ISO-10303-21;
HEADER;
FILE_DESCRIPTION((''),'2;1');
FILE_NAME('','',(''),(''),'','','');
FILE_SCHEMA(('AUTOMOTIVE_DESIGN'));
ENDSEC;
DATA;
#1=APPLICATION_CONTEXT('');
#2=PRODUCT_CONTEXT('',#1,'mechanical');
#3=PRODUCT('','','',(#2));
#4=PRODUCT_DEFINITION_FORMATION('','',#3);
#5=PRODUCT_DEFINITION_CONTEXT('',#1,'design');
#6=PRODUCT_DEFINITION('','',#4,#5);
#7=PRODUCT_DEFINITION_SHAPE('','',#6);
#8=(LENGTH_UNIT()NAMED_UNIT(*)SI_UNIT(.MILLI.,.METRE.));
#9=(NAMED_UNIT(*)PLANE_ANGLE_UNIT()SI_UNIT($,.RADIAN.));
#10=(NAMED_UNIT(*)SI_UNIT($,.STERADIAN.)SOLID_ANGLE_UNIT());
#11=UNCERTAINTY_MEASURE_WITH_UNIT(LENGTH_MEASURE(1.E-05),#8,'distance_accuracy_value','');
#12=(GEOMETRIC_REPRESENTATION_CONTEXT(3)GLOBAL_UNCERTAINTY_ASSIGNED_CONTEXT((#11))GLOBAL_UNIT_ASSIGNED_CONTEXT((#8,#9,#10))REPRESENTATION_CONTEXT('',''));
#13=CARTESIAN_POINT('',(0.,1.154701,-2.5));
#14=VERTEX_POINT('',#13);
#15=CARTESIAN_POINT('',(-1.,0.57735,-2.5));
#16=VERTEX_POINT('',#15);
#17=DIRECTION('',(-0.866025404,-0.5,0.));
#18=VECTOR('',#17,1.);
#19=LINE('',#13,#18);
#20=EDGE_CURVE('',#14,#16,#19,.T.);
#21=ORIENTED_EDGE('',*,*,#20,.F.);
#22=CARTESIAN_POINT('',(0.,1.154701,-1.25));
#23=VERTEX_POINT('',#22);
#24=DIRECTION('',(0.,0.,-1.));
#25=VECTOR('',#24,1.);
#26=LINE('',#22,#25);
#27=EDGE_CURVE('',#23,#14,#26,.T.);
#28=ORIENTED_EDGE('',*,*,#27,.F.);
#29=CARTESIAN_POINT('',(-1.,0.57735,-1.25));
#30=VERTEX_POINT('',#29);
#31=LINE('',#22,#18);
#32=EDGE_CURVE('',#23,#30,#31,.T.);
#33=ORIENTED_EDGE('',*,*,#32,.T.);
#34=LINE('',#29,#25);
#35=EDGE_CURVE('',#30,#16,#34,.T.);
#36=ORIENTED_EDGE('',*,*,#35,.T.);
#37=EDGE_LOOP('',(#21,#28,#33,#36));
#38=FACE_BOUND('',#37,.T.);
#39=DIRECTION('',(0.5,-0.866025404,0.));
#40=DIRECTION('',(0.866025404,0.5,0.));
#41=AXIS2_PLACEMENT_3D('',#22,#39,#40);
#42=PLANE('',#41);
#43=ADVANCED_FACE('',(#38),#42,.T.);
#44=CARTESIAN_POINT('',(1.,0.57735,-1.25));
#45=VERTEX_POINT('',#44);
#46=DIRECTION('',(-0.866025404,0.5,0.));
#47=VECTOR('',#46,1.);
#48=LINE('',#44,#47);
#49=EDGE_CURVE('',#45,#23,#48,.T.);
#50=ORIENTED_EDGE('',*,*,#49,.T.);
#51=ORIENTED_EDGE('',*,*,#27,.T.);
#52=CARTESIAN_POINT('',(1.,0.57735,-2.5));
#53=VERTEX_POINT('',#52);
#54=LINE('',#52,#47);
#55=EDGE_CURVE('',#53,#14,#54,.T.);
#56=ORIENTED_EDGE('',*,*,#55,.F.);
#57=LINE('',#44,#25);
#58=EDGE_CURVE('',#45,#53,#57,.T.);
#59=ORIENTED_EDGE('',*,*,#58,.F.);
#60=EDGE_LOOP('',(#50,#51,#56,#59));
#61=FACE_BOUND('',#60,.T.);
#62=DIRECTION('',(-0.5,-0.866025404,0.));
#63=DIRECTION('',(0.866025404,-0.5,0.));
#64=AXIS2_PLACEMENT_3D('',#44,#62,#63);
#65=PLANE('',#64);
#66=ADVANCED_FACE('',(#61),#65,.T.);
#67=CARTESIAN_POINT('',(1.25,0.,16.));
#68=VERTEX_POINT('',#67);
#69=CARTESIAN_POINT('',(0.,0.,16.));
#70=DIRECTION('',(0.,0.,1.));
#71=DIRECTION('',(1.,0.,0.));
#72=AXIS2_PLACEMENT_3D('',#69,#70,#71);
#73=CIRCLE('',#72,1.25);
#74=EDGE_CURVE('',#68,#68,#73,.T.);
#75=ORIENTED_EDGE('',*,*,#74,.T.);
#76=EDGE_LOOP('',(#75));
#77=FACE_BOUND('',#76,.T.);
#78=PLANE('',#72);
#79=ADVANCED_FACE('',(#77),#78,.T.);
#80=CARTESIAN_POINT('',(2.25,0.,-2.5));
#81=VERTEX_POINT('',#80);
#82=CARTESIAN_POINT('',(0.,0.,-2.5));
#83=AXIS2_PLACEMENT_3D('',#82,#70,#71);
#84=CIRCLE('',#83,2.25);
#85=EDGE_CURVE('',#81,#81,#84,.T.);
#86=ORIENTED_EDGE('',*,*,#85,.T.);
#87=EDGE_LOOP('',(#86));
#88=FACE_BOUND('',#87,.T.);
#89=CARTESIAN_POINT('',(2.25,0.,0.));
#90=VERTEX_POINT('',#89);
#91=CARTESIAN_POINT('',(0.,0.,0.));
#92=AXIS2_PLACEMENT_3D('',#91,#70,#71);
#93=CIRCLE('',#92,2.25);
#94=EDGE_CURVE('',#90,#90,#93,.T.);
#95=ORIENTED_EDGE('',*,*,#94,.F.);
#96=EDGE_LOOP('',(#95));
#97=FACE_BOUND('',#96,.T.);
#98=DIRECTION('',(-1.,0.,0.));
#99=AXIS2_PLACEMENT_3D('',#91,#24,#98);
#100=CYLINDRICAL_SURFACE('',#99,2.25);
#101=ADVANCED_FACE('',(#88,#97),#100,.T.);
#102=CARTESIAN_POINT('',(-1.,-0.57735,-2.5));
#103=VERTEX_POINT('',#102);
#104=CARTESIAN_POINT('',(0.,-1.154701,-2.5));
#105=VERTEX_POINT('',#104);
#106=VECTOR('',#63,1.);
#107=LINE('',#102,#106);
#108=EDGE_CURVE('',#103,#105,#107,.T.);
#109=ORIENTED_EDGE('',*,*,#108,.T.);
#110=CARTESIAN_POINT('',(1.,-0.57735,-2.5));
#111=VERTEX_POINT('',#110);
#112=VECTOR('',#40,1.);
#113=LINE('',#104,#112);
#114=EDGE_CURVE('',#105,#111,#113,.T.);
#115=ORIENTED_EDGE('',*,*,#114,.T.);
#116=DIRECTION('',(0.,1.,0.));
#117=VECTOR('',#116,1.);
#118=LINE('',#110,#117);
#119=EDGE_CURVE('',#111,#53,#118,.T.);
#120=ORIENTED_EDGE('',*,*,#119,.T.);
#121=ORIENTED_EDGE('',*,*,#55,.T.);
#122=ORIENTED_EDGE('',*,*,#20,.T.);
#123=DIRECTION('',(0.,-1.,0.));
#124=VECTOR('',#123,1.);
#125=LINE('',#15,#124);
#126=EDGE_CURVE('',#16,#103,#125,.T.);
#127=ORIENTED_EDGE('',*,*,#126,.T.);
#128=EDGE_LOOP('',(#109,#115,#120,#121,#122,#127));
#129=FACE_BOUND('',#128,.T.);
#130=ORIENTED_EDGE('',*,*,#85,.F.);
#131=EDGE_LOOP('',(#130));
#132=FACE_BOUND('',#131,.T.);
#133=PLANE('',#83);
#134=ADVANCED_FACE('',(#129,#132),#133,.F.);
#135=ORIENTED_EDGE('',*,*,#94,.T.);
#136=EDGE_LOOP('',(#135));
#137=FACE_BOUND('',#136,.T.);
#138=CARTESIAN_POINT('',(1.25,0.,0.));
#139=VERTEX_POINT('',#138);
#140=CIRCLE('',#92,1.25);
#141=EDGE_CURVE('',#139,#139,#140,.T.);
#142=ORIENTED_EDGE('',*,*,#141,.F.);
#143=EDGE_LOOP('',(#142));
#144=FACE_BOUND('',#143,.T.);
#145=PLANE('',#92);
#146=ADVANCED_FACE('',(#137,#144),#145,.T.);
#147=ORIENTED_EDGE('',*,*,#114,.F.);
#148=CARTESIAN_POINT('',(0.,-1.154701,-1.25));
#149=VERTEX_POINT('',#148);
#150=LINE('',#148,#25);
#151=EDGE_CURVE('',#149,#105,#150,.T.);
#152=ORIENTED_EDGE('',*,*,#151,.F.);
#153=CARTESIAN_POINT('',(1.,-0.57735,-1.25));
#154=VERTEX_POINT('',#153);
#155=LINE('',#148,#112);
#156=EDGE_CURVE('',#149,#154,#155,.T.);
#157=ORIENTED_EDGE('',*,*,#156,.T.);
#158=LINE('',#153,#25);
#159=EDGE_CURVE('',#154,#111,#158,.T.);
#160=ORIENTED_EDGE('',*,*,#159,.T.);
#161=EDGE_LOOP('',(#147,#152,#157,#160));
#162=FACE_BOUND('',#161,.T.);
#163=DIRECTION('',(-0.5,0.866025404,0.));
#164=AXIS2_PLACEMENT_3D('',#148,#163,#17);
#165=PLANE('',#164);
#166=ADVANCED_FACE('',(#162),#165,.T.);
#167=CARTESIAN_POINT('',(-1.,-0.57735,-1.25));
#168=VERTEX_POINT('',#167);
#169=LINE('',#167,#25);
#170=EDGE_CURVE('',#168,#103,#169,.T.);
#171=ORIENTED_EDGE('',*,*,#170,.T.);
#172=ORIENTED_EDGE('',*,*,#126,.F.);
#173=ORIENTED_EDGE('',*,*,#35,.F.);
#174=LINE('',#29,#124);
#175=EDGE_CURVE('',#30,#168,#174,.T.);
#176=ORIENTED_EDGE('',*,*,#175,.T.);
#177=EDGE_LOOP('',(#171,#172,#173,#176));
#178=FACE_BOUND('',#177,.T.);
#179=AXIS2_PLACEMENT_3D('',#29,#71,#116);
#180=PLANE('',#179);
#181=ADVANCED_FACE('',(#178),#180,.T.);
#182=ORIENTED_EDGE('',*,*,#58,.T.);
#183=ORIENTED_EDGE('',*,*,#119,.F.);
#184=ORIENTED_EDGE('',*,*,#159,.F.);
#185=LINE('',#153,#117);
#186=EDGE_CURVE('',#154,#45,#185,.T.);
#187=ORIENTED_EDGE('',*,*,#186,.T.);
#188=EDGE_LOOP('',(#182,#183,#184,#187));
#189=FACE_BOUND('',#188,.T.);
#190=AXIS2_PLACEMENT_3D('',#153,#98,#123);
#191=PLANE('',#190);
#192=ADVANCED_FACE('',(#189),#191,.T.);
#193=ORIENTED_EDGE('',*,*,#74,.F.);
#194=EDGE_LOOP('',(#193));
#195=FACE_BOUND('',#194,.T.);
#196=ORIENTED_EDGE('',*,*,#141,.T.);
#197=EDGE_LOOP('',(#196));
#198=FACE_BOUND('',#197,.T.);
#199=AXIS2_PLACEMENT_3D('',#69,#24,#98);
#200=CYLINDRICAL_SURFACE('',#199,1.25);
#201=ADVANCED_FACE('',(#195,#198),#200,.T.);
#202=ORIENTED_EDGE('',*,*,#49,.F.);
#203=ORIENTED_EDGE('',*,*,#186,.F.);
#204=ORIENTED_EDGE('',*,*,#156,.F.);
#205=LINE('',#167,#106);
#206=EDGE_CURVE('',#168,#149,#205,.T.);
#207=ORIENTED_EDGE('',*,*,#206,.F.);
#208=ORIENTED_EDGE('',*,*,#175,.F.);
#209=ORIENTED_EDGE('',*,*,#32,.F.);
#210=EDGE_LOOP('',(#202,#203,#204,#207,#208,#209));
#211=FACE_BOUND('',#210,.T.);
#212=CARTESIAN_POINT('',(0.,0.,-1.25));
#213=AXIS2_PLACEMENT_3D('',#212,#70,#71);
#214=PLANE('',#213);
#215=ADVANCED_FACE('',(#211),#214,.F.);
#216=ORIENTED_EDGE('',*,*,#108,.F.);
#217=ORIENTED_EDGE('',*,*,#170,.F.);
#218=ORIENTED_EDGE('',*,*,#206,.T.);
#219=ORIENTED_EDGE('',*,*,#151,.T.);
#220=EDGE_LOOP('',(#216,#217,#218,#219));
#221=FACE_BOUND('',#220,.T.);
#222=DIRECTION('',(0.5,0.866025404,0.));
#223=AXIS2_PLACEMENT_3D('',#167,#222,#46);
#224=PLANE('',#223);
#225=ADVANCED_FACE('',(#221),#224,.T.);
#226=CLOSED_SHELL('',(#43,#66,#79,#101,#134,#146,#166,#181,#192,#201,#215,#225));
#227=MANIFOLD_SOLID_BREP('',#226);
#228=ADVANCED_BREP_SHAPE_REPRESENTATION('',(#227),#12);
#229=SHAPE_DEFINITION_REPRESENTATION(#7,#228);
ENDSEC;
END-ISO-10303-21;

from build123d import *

# Parameters (mm, degrees)
CABEZA_START            = -2.5
SK_CABEZA_R             = 2.25
CABEZA_DEPTH            = 2.5
SK_CUERPO_R             = 1.25
CUERPO_DEPTH            = 16
HEXAGONO_INTERIOR_START = -2.5
HEXAGONO_INTERIOR_DEPTH = 1.25


with BuildPart() as part:
    # Sk_Cabeza → Cabeza (new body)
    with BuildSketch(Plane.XY.offset(CABEZA_START)):
        Circle(SK_CABEZA_R)
    extrude(amount=CABEZA_DEPTH)

    # Sk_Cuerpo → Cuerpo (add)
    with BuildSketch(Plane.XY):
        Circle(SK_CUERPO_R)
    extrude(amount=CUERPO_DEPTH)

    # Sk_Hexagono_interior → Hexagono_interior (cut)
    with BuildSketch(Plane.XY.offset(HEXAGONO_INTERIOR_START)):
        Polygon((0, -1.154700538), (1, -0.577350269), (1, 0.577350269), (0, 1.154700538), (-1, 0.577350269), (-1, -0.577350269), align=None)
    extrude(amount=HEXAGONO_INTERIOR_DEPTH, mode=Mode.SUBTRACT)


solid = part.part
